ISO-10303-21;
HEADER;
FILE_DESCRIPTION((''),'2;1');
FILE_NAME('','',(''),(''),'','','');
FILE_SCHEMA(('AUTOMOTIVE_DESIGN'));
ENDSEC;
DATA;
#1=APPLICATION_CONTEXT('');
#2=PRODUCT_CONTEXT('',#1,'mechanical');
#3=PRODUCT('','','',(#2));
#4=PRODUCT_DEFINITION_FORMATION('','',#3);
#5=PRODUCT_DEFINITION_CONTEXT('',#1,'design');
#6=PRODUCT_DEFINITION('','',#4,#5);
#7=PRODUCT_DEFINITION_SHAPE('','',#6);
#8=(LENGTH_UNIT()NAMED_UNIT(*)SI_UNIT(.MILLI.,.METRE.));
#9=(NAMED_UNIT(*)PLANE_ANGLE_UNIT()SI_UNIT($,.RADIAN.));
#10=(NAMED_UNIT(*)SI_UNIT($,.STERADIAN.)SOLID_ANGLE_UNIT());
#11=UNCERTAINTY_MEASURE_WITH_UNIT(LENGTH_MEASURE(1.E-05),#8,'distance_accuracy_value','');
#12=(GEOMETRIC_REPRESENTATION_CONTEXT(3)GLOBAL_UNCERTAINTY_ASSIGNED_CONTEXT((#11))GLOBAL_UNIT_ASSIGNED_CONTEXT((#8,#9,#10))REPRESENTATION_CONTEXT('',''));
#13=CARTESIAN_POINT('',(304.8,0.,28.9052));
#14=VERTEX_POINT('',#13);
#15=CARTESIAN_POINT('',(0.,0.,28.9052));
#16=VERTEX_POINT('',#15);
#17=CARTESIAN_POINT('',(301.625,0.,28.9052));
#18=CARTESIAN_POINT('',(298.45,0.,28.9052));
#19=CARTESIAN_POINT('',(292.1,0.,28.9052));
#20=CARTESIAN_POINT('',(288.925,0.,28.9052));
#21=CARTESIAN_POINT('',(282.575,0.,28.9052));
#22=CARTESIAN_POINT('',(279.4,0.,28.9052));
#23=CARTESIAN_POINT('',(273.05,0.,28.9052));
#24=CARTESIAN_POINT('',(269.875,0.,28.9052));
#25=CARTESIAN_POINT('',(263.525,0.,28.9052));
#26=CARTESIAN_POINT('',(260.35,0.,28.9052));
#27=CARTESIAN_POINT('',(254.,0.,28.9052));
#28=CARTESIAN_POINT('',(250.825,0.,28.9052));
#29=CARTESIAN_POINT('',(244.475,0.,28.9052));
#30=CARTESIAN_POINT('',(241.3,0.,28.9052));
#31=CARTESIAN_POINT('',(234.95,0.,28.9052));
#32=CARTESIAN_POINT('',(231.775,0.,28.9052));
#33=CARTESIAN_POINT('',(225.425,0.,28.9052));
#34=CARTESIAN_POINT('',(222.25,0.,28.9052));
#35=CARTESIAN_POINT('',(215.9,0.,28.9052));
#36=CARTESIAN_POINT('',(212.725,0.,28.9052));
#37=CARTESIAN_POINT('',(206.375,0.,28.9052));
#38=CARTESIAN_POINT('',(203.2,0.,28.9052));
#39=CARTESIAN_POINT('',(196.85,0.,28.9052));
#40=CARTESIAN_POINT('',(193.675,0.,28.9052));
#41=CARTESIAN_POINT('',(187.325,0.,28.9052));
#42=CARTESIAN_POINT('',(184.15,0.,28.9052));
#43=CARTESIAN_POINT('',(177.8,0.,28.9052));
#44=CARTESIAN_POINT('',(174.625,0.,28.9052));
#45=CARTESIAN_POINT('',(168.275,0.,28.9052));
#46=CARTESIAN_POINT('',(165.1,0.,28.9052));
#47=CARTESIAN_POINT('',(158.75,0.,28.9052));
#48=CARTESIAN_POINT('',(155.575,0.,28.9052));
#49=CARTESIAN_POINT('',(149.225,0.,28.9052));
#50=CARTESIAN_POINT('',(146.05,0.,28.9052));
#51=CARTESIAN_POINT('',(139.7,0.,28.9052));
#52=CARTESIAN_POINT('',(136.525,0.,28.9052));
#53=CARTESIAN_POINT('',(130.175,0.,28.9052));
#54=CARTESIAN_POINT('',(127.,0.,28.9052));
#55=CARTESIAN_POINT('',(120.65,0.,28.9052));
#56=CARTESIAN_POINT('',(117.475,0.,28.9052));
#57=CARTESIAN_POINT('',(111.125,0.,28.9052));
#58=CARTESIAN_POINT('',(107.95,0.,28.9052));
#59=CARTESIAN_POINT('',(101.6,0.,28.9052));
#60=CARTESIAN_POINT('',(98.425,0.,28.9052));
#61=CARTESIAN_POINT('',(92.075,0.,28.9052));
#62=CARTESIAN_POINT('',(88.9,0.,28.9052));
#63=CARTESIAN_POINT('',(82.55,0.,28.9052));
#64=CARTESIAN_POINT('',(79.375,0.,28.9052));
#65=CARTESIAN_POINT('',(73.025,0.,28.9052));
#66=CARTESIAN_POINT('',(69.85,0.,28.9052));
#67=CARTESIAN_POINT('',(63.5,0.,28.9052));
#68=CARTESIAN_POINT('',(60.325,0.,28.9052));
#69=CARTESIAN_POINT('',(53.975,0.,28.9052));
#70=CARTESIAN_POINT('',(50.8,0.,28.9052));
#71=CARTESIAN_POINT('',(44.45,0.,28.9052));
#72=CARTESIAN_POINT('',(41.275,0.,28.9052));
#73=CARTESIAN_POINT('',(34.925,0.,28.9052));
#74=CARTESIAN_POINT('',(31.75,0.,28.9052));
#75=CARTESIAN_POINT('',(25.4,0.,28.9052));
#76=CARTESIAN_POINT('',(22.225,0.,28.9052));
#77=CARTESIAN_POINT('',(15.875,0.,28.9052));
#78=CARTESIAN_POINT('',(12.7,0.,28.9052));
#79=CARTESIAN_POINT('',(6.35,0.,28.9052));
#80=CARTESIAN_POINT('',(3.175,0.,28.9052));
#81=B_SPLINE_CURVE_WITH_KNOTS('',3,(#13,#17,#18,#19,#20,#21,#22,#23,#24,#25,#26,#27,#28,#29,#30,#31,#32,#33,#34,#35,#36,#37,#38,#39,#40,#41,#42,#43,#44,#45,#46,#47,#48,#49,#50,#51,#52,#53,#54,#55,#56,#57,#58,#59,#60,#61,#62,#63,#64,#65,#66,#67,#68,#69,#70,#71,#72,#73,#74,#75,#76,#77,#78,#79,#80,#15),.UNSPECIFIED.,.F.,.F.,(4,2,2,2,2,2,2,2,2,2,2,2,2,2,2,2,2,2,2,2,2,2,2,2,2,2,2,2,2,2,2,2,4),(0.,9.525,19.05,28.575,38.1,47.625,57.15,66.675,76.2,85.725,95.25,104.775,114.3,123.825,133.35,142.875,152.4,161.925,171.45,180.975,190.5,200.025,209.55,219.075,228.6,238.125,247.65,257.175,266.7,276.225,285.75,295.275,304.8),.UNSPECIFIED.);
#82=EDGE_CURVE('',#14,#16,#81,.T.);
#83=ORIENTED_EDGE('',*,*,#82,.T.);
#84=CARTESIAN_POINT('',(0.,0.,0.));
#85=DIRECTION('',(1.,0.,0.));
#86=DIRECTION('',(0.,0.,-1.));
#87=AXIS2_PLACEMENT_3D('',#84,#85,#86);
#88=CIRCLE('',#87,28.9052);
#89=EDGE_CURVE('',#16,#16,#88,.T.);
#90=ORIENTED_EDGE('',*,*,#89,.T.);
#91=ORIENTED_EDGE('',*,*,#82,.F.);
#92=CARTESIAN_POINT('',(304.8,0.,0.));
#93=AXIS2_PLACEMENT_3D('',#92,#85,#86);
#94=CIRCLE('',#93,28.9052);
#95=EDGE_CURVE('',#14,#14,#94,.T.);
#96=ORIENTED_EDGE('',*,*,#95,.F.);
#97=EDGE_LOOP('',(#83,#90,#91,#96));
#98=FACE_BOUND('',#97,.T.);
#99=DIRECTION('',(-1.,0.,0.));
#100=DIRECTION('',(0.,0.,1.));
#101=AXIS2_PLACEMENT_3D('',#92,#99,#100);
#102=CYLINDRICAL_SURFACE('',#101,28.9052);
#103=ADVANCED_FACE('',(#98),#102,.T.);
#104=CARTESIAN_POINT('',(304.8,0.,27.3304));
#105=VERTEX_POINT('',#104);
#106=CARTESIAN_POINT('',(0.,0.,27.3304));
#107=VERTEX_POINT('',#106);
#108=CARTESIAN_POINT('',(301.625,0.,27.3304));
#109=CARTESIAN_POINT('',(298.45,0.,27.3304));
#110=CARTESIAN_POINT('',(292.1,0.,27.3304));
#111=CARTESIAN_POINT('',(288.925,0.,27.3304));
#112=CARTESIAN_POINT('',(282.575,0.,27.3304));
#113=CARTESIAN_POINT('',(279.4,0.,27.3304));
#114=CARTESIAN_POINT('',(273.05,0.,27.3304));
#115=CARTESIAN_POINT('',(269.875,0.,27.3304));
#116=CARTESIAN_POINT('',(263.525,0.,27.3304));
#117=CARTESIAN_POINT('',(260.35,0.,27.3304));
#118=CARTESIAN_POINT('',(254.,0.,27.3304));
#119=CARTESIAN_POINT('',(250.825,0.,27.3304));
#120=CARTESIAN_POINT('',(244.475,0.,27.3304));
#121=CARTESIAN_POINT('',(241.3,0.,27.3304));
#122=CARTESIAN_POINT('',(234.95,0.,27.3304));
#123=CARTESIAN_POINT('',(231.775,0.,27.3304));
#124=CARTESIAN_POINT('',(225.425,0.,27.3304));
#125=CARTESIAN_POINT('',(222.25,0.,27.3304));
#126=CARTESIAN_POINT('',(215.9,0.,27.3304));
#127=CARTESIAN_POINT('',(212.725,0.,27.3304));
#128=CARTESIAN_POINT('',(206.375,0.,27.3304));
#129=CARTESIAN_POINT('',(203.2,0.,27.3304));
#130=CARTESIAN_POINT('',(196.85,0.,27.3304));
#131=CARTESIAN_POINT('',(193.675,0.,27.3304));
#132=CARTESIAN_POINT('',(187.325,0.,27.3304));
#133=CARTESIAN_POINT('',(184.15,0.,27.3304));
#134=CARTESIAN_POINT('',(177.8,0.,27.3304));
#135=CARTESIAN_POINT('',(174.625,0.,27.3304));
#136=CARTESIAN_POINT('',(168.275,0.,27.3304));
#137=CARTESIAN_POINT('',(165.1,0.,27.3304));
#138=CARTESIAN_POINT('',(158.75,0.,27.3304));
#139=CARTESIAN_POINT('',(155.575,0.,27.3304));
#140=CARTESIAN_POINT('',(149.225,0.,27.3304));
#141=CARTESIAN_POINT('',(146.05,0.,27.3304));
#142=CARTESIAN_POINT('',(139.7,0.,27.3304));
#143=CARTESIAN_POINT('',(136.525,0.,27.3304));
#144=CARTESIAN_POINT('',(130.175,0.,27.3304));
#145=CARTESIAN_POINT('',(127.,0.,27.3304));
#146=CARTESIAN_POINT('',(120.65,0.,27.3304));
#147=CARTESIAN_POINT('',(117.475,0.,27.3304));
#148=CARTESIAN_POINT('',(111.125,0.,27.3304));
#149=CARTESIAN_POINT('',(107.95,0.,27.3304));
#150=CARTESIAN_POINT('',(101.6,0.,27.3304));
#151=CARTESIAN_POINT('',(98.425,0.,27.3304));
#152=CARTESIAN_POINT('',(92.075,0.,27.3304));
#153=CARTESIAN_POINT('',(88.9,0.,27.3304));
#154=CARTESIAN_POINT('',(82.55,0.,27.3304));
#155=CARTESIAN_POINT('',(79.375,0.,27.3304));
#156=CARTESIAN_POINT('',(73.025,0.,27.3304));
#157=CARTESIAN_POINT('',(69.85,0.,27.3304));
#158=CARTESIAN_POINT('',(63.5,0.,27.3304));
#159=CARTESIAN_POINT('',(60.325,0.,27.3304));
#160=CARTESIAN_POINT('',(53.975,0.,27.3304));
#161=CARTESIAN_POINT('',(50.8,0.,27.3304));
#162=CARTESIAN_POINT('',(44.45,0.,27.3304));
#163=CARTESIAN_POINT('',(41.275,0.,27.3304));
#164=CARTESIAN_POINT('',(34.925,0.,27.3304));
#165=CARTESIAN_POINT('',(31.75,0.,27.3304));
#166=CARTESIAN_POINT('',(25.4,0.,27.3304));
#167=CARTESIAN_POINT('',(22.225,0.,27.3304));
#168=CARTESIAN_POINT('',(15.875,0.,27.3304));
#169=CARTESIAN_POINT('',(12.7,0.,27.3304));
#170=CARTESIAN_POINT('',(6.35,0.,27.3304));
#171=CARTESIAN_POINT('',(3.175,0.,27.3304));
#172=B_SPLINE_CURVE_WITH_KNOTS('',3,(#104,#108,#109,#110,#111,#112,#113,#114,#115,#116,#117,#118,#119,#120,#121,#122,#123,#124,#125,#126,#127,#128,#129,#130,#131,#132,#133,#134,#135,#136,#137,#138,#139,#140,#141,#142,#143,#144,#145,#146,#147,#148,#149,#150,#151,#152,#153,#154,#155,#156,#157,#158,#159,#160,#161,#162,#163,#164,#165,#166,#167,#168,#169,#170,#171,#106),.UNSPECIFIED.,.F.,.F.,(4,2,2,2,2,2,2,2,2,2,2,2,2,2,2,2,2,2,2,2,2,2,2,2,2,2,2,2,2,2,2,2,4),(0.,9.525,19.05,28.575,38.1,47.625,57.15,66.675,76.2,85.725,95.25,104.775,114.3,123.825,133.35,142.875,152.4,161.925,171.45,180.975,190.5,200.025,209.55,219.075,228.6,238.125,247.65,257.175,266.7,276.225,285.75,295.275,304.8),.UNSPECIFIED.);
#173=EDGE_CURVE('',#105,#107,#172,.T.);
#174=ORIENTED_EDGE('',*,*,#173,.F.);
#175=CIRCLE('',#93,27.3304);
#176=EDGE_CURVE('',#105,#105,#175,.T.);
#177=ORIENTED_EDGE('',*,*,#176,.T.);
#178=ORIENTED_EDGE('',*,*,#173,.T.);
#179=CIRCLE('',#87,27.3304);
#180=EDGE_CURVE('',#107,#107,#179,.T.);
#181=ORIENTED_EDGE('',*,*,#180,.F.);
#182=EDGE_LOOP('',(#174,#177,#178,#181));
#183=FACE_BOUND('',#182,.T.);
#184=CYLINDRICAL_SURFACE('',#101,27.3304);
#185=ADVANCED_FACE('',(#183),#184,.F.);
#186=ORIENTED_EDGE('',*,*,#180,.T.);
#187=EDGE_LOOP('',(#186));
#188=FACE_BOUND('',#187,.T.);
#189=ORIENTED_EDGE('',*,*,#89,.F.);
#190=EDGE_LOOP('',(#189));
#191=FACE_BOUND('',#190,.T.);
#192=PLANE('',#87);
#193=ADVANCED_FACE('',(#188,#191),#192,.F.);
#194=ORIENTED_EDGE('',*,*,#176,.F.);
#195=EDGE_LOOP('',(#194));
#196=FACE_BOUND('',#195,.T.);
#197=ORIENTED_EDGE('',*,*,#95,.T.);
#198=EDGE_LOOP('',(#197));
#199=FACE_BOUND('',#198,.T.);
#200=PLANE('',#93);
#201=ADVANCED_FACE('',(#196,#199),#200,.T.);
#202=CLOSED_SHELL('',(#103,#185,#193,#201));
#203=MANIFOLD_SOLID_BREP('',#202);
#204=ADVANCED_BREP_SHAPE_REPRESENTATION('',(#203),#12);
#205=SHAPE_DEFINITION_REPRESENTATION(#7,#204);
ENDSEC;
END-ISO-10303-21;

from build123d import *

# Parameters (mm, degrees)
SKETCH1_R           = 28.9052
SKETCH1_R_2         = 27.3304
BOSS_EXTRUDE1_DEPTH = 304.8


with BuildPart() as part:
    # Sketch1 → Boss-Extrude1 (new body)
    with BuildSketch(Plane(origin=(0, 0, 0), x_dir=(0, 0, -1), z_dir=(1, 0, 0))):
        with Locations(Location((0, 0, 0), (0, 0, 180))):
            Circle(SKETCH1_R)
        with Locations(Location((0, 0, 0), (0, 0, 180))):
            Circle(SKETCH1_R_2, mode=Mode.SUBTRACT)
    extrude(amount=BOSS_EXTRUDE1_DEPTH)


solid = part.part
